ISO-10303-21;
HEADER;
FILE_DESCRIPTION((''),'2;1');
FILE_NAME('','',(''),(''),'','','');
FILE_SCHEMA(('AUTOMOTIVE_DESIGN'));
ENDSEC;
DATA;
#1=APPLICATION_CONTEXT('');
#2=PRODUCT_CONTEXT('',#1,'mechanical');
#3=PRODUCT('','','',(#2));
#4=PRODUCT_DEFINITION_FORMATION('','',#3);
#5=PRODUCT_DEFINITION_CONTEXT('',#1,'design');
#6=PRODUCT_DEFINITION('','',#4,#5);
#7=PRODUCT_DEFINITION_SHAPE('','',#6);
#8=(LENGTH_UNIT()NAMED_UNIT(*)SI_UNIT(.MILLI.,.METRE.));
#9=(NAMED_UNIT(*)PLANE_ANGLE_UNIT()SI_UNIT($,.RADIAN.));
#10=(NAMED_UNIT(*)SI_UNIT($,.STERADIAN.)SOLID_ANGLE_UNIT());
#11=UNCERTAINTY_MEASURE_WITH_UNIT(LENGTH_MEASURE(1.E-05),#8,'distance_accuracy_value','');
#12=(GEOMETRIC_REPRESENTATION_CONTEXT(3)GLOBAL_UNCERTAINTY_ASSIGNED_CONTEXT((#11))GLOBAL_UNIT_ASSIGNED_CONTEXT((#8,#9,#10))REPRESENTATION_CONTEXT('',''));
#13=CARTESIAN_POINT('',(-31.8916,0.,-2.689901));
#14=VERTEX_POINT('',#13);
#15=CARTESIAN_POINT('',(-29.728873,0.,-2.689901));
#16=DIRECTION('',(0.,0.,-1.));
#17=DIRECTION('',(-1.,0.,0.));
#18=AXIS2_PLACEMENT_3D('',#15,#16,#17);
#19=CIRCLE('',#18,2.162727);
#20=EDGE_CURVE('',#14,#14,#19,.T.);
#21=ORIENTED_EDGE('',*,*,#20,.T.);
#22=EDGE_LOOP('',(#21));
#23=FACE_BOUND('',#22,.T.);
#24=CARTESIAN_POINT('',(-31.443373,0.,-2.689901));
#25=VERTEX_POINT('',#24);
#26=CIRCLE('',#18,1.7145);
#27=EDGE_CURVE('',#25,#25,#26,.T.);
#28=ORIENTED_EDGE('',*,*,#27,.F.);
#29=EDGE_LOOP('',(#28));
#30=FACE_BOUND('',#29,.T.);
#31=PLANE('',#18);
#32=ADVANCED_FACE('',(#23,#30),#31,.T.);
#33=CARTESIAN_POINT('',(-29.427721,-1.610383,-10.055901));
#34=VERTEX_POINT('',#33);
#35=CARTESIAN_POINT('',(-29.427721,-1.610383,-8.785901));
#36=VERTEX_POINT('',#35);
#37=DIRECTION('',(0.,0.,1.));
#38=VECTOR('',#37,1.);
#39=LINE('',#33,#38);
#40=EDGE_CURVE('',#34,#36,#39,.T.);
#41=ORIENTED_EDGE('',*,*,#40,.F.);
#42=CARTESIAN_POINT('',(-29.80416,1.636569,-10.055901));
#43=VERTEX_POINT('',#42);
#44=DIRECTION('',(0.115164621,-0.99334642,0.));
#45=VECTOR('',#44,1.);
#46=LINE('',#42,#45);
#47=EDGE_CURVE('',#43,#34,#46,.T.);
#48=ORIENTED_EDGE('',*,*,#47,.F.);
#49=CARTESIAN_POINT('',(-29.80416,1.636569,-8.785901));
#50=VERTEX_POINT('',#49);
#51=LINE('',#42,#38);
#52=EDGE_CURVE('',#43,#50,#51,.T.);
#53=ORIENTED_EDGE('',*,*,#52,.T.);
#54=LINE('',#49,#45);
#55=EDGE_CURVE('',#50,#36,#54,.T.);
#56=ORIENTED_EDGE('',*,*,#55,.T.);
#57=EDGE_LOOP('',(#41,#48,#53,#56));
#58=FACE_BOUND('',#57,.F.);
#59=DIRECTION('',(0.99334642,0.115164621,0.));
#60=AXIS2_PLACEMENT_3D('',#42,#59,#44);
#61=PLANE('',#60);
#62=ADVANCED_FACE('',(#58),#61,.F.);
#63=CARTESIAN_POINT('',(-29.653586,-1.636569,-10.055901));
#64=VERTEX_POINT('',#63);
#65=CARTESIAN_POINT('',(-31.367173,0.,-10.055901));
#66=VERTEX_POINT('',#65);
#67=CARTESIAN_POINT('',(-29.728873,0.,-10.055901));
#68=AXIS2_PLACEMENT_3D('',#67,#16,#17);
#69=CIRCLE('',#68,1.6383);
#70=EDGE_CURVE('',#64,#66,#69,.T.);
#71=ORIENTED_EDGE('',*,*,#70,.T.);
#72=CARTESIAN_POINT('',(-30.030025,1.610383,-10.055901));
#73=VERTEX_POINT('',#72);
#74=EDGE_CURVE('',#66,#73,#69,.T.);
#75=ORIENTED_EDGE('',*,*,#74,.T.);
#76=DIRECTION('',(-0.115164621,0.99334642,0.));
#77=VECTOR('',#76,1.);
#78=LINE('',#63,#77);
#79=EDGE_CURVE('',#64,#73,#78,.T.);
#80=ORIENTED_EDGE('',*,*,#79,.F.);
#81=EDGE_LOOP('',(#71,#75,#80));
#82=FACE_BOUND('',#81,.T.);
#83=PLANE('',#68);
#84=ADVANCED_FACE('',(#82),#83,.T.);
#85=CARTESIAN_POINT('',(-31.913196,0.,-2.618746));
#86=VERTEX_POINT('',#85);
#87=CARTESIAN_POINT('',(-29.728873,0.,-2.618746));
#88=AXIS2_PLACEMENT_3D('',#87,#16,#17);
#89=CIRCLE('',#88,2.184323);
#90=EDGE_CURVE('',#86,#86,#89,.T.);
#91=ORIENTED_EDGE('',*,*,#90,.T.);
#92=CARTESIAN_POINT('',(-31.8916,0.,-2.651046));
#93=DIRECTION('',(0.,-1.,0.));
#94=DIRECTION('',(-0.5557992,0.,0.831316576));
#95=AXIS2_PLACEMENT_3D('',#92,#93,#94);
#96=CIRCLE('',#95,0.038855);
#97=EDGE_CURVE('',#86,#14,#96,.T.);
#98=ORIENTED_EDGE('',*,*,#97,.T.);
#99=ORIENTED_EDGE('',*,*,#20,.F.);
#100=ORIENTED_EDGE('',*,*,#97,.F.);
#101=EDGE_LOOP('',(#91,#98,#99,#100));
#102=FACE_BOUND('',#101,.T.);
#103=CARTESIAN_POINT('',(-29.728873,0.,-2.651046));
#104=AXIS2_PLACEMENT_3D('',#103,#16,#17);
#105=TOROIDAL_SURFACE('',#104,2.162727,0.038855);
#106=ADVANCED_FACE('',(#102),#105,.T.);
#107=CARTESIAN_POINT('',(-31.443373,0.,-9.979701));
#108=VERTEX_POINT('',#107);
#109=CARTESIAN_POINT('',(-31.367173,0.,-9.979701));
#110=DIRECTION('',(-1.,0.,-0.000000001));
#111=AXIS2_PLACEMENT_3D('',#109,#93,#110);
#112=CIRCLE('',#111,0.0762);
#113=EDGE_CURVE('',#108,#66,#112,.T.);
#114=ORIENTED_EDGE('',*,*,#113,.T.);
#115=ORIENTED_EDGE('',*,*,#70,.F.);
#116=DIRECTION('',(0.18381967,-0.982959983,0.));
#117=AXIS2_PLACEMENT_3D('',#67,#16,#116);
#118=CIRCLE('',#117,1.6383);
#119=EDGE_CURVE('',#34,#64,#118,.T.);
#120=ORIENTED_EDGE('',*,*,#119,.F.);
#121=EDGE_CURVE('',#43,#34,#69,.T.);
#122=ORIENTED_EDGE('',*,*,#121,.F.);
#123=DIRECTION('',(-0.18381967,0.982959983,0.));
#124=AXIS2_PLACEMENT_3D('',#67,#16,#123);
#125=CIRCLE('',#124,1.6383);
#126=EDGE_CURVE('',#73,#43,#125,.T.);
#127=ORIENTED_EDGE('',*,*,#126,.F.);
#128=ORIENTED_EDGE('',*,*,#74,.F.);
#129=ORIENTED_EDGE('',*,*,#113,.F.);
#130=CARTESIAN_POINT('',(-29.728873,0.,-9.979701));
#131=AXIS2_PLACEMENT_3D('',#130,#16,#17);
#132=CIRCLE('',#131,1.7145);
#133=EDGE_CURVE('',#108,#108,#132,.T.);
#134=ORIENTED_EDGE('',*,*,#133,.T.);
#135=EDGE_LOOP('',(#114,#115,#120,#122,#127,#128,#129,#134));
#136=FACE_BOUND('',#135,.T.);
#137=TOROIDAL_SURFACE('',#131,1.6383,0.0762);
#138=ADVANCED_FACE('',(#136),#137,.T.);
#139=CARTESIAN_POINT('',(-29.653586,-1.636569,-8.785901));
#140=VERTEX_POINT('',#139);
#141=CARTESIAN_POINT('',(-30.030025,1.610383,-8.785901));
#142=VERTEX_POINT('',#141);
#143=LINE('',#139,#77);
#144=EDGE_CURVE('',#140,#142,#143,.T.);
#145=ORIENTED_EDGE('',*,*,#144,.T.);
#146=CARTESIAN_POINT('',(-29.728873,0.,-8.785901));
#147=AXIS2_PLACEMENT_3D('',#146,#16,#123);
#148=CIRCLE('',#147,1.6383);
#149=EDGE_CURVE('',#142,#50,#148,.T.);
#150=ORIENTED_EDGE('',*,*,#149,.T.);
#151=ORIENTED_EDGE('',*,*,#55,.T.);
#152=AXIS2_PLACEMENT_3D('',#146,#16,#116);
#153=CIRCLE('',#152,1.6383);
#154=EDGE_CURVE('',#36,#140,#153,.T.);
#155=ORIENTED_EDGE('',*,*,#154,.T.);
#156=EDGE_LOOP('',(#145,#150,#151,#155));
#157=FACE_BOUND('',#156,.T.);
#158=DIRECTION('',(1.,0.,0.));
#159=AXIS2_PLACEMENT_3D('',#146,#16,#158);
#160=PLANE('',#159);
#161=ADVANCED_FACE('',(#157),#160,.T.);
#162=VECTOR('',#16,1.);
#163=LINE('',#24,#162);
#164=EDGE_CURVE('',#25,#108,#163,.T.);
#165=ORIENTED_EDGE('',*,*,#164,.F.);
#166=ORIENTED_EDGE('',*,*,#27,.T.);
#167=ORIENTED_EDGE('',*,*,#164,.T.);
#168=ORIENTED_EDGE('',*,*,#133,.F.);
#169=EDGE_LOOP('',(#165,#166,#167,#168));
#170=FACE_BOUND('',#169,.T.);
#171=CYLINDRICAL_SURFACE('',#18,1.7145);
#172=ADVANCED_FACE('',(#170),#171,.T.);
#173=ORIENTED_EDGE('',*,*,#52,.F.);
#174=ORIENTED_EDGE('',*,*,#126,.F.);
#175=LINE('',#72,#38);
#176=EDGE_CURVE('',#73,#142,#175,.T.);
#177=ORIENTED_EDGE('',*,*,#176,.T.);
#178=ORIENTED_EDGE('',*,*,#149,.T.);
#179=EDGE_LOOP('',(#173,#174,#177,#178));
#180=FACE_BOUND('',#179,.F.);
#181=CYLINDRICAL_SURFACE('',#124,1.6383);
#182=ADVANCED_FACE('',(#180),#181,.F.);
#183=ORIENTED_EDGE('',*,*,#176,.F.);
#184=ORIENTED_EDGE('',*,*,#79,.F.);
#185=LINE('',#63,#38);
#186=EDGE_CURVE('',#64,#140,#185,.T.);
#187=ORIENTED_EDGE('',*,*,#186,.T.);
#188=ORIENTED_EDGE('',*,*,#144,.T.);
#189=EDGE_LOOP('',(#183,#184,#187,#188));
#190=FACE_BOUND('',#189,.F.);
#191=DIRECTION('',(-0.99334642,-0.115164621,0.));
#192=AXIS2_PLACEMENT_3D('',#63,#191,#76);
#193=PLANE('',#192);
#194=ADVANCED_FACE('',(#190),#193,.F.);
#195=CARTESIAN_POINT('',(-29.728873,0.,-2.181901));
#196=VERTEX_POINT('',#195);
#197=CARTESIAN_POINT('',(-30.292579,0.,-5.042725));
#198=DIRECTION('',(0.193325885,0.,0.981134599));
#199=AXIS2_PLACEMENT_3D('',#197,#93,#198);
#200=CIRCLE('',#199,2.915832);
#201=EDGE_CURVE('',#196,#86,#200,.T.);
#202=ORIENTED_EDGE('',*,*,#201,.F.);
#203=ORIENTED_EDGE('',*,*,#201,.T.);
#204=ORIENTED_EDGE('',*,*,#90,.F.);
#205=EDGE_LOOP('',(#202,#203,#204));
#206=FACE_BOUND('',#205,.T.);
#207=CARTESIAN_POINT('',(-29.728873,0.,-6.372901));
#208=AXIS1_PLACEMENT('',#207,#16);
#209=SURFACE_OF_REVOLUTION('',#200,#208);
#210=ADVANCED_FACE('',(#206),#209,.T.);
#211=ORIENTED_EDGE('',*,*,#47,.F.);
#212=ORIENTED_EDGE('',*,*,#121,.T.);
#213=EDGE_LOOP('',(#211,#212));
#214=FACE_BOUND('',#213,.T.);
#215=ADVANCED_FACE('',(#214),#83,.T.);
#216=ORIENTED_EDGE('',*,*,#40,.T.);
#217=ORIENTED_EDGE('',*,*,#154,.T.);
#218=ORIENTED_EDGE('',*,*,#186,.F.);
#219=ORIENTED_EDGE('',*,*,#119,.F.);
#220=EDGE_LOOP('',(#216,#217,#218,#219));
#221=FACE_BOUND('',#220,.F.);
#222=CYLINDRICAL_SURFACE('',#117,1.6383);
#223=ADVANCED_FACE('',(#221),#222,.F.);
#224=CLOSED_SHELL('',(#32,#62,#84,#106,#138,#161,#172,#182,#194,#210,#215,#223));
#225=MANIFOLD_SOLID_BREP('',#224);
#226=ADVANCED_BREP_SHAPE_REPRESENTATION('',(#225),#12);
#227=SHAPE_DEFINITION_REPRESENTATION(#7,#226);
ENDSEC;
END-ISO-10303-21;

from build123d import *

# Parameters (mm, degrees)
F3_DEPTH = 1.27


with BuildPart() as f1:
    # F0 (on Front) → F1 (revolve)
    with BuildSketch(Plane.XZ):
        with BuildLine():
            Line((-29.7288728788, -2.6899014827), (-31.4433728788, -2.6899014827))
            Line((-31.4433728788, -2.6899014827), (-31.4433728788, -9.9797014827))
            ThreePointArc((-31.4433728788, -9.9797014827), (-31.4210544155, -10.0335830194), (-31.3671728788, -10.0559014827))
            Line((-31.3671728788, -10.0559014827), (-29.7288728788, -10.0559014827))
            Line((-29.7288728788, -10.0559014827), (-29.7288728788, -2.6899014827))
        make_face()
        with BuildLine():
            Line((-31.8916002935, -2.6899014827), (-31.4433728788, -2.6899014827))
            Line((-31.4433728788, -2.6899014827), (-29.7288728788, -2.6899014827))
            Line((-29.7288728788, -2.6899014827), (-29.7288728788, -2.1819014827))
            ThreePointArc((-29.7288728788, -2.1819014827), (-30.8643947668, -2.1835114985), (-31.9131958677, -2.6187456893))
            ThreePointArc((-31.9131958677, -2.6187456893), (-31.9287806504, -2.6623306184), (-31.8916002935, -2.6899014827))
        make_face()
    revolve(axis=Axis((-29.7288728788, 0, -6.3729014827), (0, 0, -1)))

    # F2 (on face) → F3 (cut)
    with BuildSketch(Plane(origin=(0, 0, -10.0559014827), x_dir=(1, 0, 0), z_dir=(0, 0, -1))):
        with BuildLine():
            Line((-29.8041598391, -1.6365692053), (-29.4277211137, 1.6103833408))
            ThreePointArc((-29.4277211137, 1.6103833408), (-29.5401986798, 1.6273994398), (-29.6535859185, 1.6365692053))
            Line((-29.6535859185, 1.6365692053), (-30.0300246439, -1.6103833408))
            ThreePointArc((-30.0300246439, -1.6103833408), (-29.9175470778, -1.6273994398), (-29.8041598391, -1.6365692053))
        make_face()
    extrude(amount=-F3_DEPTH, mode=Mode.SUBTRACT)


solid = f1.part
